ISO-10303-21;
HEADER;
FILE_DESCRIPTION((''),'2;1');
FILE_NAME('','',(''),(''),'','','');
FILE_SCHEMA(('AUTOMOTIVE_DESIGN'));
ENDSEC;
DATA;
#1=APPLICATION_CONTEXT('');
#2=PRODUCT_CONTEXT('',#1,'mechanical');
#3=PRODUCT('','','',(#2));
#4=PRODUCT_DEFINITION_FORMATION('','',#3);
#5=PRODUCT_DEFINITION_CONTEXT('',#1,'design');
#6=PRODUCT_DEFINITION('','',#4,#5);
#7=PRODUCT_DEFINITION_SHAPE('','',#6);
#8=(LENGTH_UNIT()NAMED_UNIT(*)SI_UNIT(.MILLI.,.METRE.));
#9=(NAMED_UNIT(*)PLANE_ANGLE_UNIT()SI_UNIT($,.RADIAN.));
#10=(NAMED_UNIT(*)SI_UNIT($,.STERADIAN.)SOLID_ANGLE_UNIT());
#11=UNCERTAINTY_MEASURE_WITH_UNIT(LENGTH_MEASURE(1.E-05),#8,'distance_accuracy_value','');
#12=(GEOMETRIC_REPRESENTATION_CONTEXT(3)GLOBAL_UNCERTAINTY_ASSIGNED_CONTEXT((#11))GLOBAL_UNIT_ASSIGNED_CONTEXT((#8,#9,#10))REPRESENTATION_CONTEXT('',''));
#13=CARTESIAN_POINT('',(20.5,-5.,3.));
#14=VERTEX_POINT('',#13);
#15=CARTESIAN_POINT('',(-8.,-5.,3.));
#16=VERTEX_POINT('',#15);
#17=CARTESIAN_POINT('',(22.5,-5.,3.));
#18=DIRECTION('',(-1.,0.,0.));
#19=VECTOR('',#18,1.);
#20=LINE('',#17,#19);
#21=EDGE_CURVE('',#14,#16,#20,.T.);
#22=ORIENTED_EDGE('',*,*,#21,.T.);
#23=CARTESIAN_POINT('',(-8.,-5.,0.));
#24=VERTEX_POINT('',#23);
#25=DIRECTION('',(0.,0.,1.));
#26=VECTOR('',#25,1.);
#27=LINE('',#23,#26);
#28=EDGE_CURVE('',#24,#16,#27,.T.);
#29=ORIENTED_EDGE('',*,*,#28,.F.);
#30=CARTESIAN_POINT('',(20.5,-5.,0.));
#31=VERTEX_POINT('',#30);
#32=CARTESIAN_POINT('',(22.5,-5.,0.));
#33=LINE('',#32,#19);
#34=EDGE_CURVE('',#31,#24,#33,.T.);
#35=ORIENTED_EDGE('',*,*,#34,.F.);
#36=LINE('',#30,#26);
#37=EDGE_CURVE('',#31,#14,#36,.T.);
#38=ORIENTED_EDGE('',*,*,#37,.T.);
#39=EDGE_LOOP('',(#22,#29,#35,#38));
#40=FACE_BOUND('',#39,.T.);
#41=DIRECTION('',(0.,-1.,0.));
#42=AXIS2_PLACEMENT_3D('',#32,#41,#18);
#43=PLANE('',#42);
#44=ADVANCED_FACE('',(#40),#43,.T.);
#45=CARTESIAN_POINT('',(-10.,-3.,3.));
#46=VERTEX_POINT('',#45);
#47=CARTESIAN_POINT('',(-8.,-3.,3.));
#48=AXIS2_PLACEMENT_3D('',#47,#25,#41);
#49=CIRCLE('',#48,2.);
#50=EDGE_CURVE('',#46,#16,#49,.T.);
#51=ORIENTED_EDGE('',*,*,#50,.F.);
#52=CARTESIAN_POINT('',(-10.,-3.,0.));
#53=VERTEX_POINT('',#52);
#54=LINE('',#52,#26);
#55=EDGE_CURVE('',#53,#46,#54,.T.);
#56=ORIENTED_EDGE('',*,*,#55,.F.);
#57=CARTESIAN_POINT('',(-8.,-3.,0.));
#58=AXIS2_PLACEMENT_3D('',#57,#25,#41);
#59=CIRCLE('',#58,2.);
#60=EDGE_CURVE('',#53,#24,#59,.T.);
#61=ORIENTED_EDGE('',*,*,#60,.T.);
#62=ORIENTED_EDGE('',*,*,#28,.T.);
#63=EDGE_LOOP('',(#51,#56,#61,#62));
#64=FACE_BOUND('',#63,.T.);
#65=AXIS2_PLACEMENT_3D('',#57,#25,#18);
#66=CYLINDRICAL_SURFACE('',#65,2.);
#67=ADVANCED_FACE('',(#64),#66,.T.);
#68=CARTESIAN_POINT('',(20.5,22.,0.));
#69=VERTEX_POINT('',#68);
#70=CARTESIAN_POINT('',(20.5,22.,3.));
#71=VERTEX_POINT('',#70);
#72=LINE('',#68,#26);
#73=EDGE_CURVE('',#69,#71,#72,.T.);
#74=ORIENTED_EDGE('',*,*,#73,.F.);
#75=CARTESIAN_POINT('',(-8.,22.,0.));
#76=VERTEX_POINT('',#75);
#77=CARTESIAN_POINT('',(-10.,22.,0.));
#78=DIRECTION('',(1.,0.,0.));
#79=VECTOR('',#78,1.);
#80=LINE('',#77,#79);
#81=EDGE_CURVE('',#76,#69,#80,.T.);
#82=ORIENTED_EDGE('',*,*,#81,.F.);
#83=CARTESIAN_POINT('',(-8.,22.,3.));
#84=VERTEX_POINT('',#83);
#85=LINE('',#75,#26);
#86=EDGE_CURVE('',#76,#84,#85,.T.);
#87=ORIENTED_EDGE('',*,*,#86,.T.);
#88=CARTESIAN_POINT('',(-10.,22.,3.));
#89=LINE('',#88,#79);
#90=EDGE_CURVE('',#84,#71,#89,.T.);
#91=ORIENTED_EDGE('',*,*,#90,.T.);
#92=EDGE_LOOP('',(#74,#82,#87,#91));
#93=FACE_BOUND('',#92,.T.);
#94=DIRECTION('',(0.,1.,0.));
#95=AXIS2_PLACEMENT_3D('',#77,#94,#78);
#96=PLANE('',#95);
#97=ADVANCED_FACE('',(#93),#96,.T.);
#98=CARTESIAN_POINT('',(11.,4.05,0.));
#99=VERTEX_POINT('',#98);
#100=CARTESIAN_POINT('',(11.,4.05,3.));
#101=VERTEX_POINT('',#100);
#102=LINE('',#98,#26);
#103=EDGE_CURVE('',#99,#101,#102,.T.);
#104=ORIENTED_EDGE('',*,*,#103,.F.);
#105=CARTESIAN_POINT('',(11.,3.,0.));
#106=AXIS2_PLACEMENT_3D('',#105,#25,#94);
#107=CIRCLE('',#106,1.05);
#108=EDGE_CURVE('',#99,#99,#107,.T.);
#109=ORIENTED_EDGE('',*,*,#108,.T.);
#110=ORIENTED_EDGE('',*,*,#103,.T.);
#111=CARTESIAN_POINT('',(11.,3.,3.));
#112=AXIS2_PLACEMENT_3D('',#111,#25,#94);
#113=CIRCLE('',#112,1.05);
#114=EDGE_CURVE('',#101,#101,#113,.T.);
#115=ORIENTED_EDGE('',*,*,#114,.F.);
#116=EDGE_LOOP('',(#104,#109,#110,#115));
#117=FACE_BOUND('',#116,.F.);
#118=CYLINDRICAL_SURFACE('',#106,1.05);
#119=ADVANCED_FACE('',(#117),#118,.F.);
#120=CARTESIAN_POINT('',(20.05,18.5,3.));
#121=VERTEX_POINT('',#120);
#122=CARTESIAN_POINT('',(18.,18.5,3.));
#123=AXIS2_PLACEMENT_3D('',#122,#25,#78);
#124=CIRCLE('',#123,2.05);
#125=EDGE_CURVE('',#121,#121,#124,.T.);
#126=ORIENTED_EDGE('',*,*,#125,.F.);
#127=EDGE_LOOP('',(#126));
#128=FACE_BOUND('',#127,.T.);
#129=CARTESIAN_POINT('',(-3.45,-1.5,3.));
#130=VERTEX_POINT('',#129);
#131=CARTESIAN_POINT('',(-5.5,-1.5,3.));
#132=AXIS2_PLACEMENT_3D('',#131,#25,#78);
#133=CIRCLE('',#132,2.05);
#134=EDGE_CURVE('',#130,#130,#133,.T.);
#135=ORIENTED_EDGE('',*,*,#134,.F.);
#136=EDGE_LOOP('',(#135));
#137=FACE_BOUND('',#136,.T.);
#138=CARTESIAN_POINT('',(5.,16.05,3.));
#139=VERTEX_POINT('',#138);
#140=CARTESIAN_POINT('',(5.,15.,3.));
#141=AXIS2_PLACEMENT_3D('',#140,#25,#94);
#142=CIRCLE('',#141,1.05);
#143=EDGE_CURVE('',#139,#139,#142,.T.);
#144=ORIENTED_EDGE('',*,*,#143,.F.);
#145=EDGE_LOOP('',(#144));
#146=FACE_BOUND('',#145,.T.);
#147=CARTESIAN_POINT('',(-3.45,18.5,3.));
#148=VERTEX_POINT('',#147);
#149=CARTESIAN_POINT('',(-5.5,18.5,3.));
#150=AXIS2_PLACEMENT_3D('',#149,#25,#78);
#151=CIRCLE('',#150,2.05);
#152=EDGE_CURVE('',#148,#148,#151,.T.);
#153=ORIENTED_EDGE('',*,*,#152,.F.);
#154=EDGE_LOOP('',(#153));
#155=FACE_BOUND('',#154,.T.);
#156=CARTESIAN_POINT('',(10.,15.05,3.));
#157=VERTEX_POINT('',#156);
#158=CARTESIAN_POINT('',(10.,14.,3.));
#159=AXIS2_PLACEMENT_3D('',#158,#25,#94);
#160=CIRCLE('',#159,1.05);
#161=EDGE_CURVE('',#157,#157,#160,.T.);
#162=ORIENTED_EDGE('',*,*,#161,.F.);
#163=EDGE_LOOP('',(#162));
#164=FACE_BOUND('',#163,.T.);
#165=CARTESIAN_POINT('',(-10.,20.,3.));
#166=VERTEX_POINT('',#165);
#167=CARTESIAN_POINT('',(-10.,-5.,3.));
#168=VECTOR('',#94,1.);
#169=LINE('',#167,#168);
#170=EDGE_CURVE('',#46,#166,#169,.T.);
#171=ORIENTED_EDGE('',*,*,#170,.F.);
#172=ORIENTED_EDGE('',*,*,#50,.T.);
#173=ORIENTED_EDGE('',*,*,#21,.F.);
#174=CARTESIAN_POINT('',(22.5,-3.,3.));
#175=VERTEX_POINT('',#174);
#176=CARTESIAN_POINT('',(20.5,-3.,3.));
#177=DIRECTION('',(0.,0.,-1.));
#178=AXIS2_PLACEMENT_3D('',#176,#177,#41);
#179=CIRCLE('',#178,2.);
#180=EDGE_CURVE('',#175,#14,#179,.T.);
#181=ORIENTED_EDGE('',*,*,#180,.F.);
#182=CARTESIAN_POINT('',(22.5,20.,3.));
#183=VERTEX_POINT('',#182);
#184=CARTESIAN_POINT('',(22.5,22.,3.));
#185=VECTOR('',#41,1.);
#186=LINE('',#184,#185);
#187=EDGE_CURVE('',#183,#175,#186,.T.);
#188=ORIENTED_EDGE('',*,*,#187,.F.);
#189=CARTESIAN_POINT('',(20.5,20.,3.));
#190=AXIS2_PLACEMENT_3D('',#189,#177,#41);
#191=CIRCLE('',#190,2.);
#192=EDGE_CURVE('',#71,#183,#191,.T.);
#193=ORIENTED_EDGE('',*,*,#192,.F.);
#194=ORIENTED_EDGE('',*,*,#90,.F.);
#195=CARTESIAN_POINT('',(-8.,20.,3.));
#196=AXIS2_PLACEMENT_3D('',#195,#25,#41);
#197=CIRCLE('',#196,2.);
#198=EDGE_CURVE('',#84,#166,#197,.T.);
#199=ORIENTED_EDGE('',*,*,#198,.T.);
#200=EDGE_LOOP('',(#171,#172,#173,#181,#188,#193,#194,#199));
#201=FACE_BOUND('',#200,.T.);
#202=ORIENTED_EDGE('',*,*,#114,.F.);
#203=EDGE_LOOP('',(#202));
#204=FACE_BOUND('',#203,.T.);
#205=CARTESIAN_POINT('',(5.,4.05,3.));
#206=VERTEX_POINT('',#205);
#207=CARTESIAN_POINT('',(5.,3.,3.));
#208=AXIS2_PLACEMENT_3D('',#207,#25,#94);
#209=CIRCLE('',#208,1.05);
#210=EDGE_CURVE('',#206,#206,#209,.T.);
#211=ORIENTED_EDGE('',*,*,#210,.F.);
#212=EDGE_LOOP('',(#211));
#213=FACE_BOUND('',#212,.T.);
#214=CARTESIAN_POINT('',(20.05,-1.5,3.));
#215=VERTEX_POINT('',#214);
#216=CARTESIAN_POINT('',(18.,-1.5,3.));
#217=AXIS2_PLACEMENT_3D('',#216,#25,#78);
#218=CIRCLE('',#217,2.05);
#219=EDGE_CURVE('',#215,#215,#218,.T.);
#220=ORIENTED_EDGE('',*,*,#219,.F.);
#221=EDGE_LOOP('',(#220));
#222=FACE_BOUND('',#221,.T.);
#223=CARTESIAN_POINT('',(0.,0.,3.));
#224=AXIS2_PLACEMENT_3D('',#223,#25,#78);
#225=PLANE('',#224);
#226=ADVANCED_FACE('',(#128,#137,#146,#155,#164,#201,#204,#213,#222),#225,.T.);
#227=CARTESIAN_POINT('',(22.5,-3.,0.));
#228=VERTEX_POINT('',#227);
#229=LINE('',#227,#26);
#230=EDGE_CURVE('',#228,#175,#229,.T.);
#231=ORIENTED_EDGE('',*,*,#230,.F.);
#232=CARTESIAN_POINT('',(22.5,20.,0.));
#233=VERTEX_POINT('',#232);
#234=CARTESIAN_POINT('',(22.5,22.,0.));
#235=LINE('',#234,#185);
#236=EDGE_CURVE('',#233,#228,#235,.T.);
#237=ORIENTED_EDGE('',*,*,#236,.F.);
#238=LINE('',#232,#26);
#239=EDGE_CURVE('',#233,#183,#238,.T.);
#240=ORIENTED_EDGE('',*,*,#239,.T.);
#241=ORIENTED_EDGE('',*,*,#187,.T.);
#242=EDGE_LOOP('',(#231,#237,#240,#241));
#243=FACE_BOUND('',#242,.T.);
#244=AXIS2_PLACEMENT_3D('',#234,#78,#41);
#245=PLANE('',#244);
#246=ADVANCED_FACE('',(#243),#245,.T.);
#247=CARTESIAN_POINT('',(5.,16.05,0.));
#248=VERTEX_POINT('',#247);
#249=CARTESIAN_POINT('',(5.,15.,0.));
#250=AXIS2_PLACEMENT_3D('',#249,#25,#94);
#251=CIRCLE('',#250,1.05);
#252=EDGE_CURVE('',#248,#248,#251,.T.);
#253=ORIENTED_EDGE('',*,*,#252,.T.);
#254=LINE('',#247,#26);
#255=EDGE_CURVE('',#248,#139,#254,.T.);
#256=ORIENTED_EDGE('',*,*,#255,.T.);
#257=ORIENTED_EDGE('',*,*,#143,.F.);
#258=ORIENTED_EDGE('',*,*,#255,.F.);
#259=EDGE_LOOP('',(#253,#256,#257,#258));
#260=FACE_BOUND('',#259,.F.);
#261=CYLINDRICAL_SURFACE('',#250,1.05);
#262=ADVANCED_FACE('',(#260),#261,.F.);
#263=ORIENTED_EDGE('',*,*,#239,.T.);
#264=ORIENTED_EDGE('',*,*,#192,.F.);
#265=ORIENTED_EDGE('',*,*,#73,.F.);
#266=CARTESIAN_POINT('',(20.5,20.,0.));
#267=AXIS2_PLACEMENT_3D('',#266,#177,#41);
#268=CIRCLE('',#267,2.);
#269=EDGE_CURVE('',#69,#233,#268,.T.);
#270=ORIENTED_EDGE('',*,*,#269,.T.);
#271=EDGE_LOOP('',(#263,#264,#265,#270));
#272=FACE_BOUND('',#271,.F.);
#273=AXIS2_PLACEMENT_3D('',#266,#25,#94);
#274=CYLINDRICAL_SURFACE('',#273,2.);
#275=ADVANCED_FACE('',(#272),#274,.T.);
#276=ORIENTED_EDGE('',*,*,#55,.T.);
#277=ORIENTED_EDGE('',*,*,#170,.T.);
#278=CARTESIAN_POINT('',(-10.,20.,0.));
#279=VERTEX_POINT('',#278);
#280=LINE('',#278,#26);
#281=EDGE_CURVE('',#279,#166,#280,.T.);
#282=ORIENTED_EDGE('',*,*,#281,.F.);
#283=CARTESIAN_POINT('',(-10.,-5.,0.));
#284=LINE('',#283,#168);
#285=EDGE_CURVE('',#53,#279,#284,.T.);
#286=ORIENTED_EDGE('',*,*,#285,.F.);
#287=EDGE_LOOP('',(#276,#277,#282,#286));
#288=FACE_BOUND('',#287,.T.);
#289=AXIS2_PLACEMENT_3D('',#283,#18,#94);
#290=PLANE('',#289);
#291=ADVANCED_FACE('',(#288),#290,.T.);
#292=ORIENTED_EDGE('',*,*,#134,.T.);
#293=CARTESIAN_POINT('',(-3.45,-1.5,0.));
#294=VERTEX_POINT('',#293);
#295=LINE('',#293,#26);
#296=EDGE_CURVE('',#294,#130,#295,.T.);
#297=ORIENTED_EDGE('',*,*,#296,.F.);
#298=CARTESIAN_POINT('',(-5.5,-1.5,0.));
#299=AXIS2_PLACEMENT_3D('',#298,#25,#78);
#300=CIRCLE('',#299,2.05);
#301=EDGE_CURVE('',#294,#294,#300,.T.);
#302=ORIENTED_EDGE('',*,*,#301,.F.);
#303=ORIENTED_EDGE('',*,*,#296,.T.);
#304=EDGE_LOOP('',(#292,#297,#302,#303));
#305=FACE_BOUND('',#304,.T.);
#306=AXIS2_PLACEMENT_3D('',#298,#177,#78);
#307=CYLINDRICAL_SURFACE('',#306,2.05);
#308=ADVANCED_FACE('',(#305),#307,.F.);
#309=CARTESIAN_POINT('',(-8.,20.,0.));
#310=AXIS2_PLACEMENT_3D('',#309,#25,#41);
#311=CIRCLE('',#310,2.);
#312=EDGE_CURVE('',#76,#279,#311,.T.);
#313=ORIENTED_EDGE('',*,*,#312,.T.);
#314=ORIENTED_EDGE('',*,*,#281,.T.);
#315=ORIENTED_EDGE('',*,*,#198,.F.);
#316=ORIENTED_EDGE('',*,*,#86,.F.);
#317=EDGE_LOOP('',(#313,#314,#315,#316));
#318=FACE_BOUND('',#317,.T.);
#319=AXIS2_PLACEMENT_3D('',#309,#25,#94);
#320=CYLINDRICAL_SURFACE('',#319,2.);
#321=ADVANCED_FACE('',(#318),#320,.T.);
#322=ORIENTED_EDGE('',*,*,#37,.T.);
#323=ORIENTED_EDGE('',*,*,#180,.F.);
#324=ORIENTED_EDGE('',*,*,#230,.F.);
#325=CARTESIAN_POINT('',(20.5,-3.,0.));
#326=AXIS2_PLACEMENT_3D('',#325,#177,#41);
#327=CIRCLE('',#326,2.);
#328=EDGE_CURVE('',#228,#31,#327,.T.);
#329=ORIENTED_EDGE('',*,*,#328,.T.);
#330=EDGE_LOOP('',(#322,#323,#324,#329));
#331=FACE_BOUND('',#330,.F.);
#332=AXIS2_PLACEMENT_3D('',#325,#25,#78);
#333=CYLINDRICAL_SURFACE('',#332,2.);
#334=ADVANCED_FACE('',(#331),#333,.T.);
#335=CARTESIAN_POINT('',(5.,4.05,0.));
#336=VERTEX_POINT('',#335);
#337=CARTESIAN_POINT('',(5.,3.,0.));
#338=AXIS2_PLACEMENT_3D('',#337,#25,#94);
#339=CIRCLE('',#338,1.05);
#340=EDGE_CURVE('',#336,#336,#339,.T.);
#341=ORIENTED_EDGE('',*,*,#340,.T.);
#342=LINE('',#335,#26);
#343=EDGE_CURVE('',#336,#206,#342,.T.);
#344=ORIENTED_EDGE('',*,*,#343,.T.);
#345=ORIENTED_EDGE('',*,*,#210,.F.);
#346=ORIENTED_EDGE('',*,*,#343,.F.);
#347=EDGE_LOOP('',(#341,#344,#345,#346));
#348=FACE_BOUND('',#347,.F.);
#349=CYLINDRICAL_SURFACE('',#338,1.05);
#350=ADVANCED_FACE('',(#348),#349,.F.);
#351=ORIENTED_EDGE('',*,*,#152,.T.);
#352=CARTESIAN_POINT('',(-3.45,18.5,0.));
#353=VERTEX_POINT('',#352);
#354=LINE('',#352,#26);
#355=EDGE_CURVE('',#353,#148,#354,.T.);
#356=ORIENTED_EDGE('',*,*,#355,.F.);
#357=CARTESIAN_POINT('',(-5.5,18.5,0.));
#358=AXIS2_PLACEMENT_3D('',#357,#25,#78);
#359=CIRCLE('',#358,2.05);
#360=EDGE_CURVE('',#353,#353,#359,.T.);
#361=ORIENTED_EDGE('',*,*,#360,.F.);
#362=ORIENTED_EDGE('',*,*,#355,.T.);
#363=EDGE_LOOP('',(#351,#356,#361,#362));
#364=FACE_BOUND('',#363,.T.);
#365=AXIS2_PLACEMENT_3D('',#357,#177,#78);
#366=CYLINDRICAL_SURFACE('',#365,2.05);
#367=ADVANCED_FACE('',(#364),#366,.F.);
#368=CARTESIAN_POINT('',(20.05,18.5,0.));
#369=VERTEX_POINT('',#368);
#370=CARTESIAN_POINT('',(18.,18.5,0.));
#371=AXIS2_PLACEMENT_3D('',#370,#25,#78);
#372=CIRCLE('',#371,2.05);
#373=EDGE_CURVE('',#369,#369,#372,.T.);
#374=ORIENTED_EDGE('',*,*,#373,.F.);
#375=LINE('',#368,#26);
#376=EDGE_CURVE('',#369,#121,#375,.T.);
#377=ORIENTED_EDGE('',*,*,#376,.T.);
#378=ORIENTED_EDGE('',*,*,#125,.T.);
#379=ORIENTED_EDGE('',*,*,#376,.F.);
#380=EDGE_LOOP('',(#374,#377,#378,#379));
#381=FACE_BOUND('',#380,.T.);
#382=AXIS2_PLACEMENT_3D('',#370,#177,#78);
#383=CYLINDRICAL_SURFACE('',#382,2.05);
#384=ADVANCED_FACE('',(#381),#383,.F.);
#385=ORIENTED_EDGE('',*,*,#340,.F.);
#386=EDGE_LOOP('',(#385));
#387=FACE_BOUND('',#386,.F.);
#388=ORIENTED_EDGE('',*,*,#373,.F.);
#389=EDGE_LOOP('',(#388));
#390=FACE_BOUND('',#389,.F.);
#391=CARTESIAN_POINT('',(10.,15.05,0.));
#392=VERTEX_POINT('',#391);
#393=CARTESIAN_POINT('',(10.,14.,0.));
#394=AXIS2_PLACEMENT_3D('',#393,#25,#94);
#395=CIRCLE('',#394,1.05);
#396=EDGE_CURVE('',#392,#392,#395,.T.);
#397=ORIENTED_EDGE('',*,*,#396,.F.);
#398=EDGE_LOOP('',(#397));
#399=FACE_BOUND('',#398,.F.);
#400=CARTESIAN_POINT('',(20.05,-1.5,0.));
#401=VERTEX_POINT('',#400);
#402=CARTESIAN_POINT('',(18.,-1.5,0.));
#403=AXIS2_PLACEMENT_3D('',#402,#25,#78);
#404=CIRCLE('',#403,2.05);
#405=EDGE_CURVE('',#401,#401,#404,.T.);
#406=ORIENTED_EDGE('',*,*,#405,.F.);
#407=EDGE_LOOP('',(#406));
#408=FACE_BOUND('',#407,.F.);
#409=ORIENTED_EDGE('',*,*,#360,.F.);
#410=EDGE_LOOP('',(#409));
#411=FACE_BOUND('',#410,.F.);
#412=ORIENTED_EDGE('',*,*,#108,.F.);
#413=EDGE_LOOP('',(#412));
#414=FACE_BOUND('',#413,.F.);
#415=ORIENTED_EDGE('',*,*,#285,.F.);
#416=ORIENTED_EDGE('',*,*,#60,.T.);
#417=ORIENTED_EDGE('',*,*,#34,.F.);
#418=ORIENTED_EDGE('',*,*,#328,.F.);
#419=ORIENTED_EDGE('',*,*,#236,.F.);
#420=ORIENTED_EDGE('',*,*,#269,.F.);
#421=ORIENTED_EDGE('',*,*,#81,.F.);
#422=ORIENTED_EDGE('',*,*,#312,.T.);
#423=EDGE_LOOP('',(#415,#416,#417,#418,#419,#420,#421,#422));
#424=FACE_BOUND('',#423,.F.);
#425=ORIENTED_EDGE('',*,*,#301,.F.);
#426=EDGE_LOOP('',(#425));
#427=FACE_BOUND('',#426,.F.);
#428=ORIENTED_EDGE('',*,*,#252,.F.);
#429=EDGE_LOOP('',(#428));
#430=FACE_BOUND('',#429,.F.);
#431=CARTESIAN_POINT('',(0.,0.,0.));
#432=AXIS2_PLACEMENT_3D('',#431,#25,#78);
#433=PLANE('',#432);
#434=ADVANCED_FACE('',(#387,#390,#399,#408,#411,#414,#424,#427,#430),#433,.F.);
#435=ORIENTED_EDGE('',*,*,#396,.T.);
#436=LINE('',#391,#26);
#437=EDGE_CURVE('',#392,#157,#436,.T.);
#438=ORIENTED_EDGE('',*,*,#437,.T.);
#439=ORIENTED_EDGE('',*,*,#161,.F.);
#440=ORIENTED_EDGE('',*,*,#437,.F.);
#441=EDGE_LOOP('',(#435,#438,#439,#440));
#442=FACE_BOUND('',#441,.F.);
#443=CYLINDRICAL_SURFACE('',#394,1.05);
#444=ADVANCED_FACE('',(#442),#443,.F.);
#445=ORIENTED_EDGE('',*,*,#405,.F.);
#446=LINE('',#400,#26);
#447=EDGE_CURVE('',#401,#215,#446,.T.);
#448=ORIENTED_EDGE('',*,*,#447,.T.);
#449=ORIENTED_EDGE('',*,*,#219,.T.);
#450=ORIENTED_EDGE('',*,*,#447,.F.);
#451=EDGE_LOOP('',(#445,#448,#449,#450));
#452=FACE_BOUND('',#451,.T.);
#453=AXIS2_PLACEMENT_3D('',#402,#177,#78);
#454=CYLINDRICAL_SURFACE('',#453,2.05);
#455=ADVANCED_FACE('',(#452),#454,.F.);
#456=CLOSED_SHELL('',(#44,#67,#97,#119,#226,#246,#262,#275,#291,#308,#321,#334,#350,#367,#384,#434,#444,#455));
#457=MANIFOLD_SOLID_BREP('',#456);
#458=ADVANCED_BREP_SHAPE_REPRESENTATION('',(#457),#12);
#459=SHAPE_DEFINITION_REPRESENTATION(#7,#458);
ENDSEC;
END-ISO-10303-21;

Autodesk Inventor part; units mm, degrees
ref_plane "YZ Plane" through (0, 0, 0) normal (1, 0, 0) x (0, 1, 0)
ref_plane "XZ Plane" through (0, 0, 0) normal (0, 1, 0) x (-1, 0, 0)
ref_plane "XY Plane" through (0, 0, 0) normal (0, 0, 1) x (1, 0, 0)
sketch "Sketch1" plane through (0, 0, 0) normal (0, 0, 1) x (1, 0, 0)
  line L0 (0, 0) -> (12.5, 0) construction
  line L1 (12.5, 0) -> (12.5, 17) construction
  line L2 (12.5, 17) -> (0, 17) construction
  line L3 (0, 17) -> (0, 0) construction
  line L4 (5, 3) -> (11, 3) construction
  line L5 (11, 3) -> (11, 15) construction
  line L6 (11, 15) -> (5, 15) construction
  line L7 (5, 15) -> (5, 3) construction
  line L8 (-10, 22) -> (22.5, 22)
  line L9 (22.5, 22) -> (22.5, -5)
  line L10 (22.5, -5) -> (-10, -5)
  line L11 (-10, -5) -> (-10, 22)
  circle A0 centre (-5.5, 18.5) radius 2.05
  circle A1 centre (-5.5, -1.5) radius 2.05
  circle A2 centre (18, -1.5) radius 2.05
  circle A3 centre (18, 18.5) radius 2.05
  point P0 (10, 14)
  dimension "d0" = 12.5
  dimension "d1" = 17
  dimension "d2" = 6
  dimension "d3" = 12
  dimension "d4" = 5
  dimension "d5" = 2
  dimension "d6" = 1
  dimension "d7" = 1
  dimension "d8" = 32.5
  dimension "d9" = 27
  dimension "d10" = 5
  dimension "d11" = 10
  dimension "d12" = 4.1
  dimension "d13" = 4.1
  dimension "d14" = 4.1
  dimension "d15" = 4.1
  dimension "d16" = 3.5
  dimension "d17" = 3.5
  dimension "d18" = 3.5
  dimension "d19" = 3.5
  dimension "d20" = 4.5
  dimension "d21" = 4.5
  dimension "d22" = 4.5
  dimension "d23" = 4.5
extrude "Extrusion1" add sketch "Sketch1" along normal blind 3
hole "Hole1" at (10, 14, 0) at (5, 15, 0) at (5, 3, 0) at (11, 3, 0) direction (0, 0, 1) diameter 2.1 end through all
fillet "Fillet1" radius 2 4 edges at (-10, 22, 1.5) (22.5, 22, 1.5) (22.5, -5, 1.5) (-10, -5, 1.5)
properties part number "Pump Mounting Plate"
